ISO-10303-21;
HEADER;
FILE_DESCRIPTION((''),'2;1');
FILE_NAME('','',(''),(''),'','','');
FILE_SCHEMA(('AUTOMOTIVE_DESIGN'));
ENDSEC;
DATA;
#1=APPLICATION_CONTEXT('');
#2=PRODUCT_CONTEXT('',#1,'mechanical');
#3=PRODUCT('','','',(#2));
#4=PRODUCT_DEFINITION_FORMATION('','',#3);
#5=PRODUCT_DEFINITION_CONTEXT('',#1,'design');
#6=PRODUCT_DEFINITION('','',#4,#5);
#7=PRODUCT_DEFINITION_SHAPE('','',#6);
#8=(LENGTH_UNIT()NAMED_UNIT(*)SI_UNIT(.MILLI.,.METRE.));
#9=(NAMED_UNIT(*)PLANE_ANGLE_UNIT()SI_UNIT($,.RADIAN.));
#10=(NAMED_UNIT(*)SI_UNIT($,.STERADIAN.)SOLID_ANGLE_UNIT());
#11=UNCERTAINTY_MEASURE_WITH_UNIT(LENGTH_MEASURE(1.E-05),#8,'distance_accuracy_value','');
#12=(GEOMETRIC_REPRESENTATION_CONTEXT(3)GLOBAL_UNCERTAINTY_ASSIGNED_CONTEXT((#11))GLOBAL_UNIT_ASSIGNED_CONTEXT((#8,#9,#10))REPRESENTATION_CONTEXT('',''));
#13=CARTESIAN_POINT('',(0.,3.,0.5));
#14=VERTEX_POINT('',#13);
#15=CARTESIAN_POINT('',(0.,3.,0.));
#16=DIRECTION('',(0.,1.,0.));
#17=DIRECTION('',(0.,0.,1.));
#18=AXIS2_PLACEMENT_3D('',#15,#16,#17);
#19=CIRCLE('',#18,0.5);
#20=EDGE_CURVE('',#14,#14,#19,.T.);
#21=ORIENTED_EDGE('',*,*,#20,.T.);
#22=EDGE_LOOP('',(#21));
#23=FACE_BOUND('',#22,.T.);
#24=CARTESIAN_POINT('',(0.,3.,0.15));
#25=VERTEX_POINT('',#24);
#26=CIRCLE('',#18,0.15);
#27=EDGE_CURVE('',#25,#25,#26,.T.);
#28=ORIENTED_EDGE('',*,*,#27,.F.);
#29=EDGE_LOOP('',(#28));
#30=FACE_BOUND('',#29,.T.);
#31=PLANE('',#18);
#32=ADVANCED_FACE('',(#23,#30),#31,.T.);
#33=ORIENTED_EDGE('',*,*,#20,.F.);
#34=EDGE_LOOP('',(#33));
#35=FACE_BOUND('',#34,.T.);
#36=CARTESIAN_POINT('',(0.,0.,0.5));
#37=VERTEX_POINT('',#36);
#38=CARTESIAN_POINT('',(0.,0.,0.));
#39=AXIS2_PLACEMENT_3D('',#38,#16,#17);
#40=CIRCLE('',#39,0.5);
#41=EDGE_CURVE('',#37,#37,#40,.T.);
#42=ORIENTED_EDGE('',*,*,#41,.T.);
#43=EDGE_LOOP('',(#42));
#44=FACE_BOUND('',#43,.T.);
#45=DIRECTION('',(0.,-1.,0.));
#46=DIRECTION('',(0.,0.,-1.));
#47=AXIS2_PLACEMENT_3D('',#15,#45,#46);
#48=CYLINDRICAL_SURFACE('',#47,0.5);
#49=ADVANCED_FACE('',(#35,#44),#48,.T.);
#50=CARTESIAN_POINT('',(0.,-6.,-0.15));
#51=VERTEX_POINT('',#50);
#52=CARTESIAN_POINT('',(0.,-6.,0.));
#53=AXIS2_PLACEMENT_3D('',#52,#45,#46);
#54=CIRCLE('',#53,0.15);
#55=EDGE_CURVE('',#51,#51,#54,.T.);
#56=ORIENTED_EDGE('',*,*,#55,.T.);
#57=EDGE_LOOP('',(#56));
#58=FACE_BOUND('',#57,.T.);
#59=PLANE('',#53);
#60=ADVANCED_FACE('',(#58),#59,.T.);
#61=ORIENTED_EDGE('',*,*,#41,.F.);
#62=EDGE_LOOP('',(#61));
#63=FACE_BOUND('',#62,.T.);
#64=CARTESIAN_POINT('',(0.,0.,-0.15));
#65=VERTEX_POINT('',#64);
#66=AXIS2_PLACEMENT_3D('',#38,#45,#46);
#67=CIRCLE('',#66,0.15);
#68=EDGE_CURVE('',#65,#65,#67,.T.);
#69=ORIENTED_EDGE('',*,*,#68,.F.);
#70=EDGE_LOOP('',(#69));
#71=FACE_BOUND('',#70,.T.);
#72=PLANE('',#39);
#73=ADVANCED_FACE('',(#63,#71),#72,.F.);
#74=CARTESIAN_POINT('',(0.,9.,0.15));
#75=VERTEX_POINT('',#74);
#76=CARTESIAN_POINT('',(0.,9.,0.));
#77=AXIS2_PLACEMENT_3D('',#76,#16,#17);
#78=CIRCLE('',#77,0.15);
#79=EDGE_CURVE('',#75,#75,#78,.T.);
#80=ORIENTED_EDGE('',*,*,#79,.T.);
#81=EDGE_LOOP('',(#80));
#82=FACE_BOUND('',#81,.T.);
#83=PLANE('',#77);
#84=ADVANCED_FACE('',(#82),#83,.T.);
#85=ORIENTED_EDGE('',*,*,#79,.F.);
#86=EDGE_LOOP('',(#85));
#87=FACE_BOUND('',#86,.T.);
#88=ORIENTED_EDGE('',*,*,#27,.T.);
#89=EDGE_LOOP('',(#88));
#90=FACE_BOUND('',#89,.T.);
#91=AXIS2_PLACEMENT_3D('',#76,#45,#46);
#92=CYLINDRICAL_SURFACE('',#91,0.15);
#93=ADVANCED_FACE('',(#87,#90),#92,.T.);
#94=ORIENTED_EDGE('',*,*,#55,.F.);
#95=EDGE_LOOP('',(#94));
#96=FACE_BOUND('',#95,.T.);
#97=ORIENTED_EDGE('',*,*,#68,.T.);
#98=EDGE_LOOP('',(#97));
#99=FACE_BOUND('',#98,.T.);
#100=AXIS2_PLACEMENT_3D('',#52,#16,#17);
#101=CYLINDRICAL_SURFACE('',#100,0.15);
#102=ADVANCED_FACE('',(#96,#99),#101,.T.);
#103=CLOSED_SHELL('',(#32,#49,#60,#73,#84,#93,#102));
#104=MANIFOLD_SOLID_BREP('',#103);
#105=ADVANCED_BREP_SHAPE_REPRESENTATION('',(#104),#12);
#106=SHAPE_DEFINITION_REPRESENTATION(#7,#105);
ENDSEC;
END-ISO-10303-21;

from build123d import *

# Parameters (mm, degrees)
SKETCH1_R           = 0.5
BOSS_EXTRUDE1_DEPTH = 3
SKETCH2_R           = 0.15
BOSS_EXTRUDE2_DEPTH = 6
BOSS_EXTRUDE3_START = 6
SKETCH3_R           = 0.15
BOSS_EXTRUDE3_DEPTH = 6


with BuildPart() as part:
    # Sketch1 → Boss-Extrude1 (new body)
    with BuildSketch(Plane(origin=(0, 0, 0), x_dir=(1, 0, 0), z_dir=(0, 1, 0))):
        with Locations(Location((0, 0, 0), (0, 0, 270))):
            Circle(SKETCH1_R)
    extrude(amount=BOSS_EXTRUDE1_DEPTH)

    # Sketch2 → Boss-Extrude2 (add)
    with BuildSketch(Plane(origin=(0, 3, 0), x_dir=(1, 0, 0), z_dir=(0, 1, 0))):
        with Locations(Location((0, 0, 0), (0, 0, 270))):
            Circle(SKETCH2_R)
    extrude(amount=BOSS_EXTRUDE2_DEPTH)

    # Sketch3 → Boss-Extrude3 (add)
    with BuildSketch(Plane.XZ.offset(BOSS_EXTRUDE3_START)):
        with Locations(Location((0, 0, 0), (0, 0, 90))):
            Circle(SKETCH3_R)
    extrude(amount=-BOSS_EXTRUDE3_DEPTH)


solid = part.part
